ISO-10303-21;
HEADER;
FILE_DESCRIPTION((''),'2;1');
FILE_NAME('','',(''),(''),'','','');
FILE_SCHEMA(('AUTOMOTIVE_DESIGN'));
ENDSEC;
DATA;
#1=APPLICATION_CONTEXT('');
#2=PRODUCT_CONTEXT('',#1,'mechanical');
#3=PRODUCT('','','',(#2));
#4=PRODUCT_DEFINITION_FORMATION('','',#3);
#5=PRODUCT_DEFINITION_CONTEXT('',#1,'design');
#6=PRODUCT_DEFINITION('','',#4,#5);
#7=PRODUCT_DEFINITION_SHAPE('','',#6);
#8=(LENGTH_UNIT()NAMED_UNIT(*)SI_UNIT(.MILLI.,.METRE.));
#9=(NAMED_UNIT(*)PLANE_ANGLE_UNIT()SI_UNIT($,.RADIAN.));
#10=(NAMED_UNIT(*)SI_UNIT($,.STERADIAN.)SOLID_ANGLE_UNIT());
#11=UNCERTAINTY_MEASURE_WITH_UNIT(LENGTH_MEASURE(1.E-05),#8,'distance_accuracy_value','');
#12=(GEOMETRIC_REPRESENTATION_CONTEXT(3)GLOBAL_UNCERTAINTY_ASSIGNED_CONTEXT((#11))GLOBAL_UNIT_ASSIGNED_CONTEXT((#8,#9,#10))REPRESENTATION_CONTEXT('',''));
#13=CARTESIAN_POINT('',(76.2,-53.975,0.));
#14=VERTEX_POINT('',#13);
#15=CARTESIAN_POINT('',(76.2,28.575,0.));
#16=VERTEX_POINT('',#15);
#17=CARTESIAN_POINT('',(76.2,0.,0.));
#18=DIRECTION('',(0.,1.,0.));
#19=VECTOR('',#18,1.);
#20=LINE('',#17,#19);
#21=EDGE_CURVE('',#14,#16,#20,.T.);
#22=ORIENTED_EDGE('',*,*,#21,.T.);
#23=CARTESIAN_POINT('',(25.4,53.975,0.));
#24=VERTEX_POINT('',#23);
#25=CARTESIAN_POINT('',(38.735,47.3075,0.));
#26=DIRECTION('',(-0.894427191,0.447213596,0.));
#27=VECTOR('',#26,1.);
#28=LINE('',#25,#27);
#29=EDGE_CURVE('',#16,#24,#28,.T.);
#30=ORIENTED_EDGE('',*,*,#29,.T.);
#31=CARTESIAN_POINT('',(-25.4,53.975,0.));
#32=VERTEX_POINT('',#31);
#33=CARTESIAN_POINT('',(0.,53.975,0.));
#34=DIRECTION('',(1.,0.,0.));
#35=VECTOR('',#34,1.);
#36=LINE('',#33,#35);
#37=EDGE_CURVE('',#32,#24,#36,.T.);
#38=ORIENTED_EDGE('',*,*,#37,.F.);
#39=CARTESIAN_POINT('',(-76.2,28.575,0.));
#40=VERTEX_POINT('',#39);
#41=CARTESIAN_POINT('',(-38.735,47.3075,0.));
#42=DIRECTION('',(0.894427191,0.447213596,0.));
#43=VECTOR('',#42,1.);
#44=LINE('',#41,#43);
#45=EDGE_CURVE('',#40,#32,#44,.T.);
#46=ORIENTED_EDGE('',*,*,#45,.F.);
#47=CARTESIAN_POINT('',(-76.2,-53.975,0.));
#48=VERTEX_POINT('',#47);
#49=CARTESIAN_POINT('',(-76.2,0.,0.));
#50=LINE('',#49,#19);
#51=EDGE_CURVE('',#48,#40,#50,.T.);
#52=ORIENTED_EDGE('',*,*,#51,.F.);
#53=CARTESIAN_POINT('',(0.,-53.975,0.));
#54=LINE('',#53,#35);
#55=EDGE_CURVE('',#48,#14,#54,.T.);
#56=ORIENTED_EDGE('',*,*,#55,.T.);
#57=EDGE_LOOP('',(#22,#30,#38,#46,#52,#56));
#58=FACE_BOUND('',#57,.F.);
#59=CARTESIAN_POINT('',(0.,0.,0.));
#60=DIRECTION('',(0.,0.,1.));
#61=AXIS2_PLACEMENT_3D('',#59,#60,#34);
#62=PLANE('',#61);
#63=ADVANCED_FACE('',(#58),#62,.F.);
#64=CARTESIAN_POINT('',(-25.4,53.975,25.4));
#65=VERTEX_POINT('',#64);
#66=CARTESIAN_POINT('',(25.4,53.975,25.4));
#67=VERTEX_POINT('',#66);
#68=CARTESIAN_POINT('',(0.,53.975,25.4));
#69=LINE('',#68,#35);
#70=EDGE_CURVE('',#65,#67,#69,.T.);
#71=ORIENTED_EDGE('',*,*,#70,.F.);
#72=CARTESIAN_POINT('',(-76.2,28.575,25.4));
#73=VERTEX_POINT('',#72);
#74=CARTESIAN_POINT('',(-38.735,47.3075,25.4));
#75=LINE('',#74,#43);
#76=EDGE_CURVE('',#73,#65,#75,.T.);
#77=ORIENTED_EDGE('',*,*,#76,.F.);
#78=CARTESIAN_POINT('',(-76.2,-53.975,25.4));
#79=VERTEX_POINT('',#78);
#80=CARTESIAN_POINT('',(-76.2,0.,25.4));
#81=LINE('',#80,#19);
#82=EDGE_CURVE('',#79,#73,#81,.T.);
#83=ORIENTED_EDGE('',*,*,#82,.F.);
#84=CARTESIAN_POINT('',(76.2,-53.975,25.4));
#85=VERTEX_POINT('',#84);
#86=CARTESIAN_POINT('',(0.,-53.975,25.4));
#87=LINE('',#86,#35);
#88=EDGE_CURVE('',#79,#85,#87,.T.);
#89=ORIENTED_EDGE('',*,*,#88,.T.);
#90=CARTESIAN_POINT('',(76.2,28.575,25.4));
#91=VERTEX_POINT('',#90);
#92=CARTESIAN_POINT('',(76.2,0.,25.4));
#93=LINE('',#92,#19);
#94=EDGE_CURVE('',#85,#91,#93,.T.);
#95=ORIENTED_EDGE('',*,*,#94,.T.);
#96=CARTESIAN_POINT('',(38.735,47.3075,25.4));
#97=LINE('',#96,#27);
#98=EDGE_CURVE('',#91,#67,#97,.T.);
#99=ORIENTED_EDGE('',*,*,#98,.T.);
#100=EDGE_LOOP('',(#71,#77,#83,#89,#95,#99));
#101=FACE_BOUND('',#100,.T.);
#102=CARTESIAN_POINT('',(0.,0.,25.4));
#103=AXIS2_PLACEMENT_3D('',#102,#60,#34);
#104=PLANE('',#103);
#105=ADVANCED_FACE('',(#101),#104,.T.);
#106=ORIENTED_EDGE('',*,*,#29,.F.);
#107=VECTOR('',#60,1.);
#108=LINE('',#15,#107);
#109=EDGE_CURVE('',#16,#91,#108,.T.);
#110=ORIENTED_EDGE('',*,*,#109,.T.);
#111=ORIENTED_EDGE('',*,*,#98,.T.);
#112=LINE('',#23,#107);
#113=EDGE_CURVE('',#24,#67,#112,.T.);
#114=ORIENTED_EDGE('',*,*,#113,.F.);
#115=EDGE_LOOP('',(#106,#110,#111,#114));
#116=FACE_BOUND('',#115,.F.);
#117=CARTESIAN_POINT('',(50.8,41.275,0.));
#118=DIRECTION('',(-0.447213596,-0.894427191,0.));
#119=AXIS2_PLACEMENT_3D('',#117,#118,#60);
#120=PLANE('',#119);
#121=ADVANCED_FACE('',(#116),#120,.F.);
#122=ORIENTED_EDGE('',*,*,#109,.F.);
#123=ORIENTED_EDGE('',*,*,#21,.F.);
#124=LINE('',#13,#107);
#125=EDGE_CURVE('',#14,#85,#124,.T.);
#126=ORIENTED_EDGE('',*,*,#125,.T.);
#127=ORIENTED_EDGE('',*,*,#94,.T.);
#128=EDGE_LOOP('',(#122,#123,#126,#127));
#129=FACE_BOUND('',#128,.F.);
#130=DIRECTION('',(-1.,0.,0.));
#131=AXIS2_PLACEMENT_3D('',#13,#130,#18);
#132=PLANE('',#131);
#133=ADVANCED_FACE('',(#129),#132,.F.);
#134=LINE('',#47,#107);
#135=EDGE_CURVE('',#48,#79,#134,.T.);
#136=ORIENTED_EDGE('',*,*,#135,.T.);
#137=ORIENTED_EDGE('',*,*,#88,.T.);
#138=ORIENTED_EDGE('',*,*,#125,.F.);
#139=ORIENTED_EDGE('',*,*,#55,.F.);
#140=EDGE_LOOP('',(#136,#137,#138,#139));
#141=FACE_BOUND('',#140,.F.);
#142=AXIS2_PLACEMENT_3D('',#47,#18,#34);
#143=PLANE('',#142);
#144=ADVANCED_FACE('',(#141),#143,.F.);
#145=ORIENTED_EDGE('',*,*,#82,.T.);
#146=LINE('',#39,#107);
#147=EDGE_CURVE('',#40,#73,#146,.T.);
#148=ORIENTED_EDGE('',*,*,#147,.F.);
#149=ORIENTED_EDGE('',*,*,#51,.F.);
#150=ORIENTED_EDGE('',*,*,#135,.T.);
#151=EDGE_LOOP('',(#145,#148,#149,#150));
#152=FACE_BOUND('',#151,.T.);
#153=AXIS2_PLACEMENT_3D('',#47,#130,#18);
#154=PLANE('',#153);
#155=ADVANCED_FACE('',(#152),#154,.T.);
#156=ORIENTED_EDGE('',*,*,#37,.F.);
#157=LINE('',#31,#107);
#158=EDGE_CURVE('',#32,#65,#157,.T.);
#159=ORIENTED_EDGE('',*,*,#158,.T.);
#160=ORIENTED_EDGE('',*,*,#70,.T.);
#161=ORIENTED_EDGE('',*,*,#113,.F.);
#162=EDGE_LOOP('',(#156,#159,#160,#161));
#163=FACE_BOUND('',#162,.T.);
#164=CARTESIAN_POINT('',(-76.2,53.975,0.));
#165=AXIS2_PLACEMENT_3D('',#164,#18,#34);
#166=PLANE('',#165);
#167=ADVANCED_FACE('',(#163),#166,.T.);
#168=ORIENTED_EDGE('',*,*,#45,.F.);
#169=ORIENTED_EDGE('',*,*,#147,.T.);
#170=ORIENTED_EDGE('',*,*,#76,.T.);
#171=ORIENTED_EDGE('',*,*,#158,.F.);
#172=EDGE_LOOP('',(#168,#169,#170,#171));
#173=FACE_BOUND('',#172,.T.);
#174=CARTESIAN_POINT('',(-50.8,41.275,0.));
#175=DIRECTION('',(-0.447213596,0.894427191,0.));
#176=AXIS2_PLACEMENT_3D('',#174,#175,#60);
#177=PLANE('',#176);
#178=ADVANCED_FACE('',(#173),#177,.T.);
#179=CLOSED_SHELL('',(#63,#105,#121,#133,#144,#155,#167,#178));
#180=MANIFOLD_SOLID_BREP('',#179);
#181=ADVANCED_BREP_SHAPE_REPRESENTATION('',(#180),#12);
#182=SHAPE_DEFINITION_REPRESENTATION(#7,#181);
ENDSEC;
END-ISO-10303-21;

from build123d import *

# Parameters (mm, degrees)
F0_W     = 152.4
F0_H     = 107.95
F1_DEPTH = 25.4
F2_SIZE2 = 50.8
F2_SIZE  = 25.4


with BuildPart() as f1:
    # F0 (on Top) → F1 (new body)
    with BuildSketch(Plane.XY):
        Rectangle(F0_W, F0_H)
    extrude(amount=F1_DEPTH)

    # F2
    f2_edges = [f1.edges().sort_by_distance(p)[0] for p in [
        (-76.2, 53.975, 12.7),
        (76.2, 53.975, 12.7),
    ]]
    chamfer(f2_edges, length=F2_SIZE, length2=F2_SIZE2)


solid = f1.part
